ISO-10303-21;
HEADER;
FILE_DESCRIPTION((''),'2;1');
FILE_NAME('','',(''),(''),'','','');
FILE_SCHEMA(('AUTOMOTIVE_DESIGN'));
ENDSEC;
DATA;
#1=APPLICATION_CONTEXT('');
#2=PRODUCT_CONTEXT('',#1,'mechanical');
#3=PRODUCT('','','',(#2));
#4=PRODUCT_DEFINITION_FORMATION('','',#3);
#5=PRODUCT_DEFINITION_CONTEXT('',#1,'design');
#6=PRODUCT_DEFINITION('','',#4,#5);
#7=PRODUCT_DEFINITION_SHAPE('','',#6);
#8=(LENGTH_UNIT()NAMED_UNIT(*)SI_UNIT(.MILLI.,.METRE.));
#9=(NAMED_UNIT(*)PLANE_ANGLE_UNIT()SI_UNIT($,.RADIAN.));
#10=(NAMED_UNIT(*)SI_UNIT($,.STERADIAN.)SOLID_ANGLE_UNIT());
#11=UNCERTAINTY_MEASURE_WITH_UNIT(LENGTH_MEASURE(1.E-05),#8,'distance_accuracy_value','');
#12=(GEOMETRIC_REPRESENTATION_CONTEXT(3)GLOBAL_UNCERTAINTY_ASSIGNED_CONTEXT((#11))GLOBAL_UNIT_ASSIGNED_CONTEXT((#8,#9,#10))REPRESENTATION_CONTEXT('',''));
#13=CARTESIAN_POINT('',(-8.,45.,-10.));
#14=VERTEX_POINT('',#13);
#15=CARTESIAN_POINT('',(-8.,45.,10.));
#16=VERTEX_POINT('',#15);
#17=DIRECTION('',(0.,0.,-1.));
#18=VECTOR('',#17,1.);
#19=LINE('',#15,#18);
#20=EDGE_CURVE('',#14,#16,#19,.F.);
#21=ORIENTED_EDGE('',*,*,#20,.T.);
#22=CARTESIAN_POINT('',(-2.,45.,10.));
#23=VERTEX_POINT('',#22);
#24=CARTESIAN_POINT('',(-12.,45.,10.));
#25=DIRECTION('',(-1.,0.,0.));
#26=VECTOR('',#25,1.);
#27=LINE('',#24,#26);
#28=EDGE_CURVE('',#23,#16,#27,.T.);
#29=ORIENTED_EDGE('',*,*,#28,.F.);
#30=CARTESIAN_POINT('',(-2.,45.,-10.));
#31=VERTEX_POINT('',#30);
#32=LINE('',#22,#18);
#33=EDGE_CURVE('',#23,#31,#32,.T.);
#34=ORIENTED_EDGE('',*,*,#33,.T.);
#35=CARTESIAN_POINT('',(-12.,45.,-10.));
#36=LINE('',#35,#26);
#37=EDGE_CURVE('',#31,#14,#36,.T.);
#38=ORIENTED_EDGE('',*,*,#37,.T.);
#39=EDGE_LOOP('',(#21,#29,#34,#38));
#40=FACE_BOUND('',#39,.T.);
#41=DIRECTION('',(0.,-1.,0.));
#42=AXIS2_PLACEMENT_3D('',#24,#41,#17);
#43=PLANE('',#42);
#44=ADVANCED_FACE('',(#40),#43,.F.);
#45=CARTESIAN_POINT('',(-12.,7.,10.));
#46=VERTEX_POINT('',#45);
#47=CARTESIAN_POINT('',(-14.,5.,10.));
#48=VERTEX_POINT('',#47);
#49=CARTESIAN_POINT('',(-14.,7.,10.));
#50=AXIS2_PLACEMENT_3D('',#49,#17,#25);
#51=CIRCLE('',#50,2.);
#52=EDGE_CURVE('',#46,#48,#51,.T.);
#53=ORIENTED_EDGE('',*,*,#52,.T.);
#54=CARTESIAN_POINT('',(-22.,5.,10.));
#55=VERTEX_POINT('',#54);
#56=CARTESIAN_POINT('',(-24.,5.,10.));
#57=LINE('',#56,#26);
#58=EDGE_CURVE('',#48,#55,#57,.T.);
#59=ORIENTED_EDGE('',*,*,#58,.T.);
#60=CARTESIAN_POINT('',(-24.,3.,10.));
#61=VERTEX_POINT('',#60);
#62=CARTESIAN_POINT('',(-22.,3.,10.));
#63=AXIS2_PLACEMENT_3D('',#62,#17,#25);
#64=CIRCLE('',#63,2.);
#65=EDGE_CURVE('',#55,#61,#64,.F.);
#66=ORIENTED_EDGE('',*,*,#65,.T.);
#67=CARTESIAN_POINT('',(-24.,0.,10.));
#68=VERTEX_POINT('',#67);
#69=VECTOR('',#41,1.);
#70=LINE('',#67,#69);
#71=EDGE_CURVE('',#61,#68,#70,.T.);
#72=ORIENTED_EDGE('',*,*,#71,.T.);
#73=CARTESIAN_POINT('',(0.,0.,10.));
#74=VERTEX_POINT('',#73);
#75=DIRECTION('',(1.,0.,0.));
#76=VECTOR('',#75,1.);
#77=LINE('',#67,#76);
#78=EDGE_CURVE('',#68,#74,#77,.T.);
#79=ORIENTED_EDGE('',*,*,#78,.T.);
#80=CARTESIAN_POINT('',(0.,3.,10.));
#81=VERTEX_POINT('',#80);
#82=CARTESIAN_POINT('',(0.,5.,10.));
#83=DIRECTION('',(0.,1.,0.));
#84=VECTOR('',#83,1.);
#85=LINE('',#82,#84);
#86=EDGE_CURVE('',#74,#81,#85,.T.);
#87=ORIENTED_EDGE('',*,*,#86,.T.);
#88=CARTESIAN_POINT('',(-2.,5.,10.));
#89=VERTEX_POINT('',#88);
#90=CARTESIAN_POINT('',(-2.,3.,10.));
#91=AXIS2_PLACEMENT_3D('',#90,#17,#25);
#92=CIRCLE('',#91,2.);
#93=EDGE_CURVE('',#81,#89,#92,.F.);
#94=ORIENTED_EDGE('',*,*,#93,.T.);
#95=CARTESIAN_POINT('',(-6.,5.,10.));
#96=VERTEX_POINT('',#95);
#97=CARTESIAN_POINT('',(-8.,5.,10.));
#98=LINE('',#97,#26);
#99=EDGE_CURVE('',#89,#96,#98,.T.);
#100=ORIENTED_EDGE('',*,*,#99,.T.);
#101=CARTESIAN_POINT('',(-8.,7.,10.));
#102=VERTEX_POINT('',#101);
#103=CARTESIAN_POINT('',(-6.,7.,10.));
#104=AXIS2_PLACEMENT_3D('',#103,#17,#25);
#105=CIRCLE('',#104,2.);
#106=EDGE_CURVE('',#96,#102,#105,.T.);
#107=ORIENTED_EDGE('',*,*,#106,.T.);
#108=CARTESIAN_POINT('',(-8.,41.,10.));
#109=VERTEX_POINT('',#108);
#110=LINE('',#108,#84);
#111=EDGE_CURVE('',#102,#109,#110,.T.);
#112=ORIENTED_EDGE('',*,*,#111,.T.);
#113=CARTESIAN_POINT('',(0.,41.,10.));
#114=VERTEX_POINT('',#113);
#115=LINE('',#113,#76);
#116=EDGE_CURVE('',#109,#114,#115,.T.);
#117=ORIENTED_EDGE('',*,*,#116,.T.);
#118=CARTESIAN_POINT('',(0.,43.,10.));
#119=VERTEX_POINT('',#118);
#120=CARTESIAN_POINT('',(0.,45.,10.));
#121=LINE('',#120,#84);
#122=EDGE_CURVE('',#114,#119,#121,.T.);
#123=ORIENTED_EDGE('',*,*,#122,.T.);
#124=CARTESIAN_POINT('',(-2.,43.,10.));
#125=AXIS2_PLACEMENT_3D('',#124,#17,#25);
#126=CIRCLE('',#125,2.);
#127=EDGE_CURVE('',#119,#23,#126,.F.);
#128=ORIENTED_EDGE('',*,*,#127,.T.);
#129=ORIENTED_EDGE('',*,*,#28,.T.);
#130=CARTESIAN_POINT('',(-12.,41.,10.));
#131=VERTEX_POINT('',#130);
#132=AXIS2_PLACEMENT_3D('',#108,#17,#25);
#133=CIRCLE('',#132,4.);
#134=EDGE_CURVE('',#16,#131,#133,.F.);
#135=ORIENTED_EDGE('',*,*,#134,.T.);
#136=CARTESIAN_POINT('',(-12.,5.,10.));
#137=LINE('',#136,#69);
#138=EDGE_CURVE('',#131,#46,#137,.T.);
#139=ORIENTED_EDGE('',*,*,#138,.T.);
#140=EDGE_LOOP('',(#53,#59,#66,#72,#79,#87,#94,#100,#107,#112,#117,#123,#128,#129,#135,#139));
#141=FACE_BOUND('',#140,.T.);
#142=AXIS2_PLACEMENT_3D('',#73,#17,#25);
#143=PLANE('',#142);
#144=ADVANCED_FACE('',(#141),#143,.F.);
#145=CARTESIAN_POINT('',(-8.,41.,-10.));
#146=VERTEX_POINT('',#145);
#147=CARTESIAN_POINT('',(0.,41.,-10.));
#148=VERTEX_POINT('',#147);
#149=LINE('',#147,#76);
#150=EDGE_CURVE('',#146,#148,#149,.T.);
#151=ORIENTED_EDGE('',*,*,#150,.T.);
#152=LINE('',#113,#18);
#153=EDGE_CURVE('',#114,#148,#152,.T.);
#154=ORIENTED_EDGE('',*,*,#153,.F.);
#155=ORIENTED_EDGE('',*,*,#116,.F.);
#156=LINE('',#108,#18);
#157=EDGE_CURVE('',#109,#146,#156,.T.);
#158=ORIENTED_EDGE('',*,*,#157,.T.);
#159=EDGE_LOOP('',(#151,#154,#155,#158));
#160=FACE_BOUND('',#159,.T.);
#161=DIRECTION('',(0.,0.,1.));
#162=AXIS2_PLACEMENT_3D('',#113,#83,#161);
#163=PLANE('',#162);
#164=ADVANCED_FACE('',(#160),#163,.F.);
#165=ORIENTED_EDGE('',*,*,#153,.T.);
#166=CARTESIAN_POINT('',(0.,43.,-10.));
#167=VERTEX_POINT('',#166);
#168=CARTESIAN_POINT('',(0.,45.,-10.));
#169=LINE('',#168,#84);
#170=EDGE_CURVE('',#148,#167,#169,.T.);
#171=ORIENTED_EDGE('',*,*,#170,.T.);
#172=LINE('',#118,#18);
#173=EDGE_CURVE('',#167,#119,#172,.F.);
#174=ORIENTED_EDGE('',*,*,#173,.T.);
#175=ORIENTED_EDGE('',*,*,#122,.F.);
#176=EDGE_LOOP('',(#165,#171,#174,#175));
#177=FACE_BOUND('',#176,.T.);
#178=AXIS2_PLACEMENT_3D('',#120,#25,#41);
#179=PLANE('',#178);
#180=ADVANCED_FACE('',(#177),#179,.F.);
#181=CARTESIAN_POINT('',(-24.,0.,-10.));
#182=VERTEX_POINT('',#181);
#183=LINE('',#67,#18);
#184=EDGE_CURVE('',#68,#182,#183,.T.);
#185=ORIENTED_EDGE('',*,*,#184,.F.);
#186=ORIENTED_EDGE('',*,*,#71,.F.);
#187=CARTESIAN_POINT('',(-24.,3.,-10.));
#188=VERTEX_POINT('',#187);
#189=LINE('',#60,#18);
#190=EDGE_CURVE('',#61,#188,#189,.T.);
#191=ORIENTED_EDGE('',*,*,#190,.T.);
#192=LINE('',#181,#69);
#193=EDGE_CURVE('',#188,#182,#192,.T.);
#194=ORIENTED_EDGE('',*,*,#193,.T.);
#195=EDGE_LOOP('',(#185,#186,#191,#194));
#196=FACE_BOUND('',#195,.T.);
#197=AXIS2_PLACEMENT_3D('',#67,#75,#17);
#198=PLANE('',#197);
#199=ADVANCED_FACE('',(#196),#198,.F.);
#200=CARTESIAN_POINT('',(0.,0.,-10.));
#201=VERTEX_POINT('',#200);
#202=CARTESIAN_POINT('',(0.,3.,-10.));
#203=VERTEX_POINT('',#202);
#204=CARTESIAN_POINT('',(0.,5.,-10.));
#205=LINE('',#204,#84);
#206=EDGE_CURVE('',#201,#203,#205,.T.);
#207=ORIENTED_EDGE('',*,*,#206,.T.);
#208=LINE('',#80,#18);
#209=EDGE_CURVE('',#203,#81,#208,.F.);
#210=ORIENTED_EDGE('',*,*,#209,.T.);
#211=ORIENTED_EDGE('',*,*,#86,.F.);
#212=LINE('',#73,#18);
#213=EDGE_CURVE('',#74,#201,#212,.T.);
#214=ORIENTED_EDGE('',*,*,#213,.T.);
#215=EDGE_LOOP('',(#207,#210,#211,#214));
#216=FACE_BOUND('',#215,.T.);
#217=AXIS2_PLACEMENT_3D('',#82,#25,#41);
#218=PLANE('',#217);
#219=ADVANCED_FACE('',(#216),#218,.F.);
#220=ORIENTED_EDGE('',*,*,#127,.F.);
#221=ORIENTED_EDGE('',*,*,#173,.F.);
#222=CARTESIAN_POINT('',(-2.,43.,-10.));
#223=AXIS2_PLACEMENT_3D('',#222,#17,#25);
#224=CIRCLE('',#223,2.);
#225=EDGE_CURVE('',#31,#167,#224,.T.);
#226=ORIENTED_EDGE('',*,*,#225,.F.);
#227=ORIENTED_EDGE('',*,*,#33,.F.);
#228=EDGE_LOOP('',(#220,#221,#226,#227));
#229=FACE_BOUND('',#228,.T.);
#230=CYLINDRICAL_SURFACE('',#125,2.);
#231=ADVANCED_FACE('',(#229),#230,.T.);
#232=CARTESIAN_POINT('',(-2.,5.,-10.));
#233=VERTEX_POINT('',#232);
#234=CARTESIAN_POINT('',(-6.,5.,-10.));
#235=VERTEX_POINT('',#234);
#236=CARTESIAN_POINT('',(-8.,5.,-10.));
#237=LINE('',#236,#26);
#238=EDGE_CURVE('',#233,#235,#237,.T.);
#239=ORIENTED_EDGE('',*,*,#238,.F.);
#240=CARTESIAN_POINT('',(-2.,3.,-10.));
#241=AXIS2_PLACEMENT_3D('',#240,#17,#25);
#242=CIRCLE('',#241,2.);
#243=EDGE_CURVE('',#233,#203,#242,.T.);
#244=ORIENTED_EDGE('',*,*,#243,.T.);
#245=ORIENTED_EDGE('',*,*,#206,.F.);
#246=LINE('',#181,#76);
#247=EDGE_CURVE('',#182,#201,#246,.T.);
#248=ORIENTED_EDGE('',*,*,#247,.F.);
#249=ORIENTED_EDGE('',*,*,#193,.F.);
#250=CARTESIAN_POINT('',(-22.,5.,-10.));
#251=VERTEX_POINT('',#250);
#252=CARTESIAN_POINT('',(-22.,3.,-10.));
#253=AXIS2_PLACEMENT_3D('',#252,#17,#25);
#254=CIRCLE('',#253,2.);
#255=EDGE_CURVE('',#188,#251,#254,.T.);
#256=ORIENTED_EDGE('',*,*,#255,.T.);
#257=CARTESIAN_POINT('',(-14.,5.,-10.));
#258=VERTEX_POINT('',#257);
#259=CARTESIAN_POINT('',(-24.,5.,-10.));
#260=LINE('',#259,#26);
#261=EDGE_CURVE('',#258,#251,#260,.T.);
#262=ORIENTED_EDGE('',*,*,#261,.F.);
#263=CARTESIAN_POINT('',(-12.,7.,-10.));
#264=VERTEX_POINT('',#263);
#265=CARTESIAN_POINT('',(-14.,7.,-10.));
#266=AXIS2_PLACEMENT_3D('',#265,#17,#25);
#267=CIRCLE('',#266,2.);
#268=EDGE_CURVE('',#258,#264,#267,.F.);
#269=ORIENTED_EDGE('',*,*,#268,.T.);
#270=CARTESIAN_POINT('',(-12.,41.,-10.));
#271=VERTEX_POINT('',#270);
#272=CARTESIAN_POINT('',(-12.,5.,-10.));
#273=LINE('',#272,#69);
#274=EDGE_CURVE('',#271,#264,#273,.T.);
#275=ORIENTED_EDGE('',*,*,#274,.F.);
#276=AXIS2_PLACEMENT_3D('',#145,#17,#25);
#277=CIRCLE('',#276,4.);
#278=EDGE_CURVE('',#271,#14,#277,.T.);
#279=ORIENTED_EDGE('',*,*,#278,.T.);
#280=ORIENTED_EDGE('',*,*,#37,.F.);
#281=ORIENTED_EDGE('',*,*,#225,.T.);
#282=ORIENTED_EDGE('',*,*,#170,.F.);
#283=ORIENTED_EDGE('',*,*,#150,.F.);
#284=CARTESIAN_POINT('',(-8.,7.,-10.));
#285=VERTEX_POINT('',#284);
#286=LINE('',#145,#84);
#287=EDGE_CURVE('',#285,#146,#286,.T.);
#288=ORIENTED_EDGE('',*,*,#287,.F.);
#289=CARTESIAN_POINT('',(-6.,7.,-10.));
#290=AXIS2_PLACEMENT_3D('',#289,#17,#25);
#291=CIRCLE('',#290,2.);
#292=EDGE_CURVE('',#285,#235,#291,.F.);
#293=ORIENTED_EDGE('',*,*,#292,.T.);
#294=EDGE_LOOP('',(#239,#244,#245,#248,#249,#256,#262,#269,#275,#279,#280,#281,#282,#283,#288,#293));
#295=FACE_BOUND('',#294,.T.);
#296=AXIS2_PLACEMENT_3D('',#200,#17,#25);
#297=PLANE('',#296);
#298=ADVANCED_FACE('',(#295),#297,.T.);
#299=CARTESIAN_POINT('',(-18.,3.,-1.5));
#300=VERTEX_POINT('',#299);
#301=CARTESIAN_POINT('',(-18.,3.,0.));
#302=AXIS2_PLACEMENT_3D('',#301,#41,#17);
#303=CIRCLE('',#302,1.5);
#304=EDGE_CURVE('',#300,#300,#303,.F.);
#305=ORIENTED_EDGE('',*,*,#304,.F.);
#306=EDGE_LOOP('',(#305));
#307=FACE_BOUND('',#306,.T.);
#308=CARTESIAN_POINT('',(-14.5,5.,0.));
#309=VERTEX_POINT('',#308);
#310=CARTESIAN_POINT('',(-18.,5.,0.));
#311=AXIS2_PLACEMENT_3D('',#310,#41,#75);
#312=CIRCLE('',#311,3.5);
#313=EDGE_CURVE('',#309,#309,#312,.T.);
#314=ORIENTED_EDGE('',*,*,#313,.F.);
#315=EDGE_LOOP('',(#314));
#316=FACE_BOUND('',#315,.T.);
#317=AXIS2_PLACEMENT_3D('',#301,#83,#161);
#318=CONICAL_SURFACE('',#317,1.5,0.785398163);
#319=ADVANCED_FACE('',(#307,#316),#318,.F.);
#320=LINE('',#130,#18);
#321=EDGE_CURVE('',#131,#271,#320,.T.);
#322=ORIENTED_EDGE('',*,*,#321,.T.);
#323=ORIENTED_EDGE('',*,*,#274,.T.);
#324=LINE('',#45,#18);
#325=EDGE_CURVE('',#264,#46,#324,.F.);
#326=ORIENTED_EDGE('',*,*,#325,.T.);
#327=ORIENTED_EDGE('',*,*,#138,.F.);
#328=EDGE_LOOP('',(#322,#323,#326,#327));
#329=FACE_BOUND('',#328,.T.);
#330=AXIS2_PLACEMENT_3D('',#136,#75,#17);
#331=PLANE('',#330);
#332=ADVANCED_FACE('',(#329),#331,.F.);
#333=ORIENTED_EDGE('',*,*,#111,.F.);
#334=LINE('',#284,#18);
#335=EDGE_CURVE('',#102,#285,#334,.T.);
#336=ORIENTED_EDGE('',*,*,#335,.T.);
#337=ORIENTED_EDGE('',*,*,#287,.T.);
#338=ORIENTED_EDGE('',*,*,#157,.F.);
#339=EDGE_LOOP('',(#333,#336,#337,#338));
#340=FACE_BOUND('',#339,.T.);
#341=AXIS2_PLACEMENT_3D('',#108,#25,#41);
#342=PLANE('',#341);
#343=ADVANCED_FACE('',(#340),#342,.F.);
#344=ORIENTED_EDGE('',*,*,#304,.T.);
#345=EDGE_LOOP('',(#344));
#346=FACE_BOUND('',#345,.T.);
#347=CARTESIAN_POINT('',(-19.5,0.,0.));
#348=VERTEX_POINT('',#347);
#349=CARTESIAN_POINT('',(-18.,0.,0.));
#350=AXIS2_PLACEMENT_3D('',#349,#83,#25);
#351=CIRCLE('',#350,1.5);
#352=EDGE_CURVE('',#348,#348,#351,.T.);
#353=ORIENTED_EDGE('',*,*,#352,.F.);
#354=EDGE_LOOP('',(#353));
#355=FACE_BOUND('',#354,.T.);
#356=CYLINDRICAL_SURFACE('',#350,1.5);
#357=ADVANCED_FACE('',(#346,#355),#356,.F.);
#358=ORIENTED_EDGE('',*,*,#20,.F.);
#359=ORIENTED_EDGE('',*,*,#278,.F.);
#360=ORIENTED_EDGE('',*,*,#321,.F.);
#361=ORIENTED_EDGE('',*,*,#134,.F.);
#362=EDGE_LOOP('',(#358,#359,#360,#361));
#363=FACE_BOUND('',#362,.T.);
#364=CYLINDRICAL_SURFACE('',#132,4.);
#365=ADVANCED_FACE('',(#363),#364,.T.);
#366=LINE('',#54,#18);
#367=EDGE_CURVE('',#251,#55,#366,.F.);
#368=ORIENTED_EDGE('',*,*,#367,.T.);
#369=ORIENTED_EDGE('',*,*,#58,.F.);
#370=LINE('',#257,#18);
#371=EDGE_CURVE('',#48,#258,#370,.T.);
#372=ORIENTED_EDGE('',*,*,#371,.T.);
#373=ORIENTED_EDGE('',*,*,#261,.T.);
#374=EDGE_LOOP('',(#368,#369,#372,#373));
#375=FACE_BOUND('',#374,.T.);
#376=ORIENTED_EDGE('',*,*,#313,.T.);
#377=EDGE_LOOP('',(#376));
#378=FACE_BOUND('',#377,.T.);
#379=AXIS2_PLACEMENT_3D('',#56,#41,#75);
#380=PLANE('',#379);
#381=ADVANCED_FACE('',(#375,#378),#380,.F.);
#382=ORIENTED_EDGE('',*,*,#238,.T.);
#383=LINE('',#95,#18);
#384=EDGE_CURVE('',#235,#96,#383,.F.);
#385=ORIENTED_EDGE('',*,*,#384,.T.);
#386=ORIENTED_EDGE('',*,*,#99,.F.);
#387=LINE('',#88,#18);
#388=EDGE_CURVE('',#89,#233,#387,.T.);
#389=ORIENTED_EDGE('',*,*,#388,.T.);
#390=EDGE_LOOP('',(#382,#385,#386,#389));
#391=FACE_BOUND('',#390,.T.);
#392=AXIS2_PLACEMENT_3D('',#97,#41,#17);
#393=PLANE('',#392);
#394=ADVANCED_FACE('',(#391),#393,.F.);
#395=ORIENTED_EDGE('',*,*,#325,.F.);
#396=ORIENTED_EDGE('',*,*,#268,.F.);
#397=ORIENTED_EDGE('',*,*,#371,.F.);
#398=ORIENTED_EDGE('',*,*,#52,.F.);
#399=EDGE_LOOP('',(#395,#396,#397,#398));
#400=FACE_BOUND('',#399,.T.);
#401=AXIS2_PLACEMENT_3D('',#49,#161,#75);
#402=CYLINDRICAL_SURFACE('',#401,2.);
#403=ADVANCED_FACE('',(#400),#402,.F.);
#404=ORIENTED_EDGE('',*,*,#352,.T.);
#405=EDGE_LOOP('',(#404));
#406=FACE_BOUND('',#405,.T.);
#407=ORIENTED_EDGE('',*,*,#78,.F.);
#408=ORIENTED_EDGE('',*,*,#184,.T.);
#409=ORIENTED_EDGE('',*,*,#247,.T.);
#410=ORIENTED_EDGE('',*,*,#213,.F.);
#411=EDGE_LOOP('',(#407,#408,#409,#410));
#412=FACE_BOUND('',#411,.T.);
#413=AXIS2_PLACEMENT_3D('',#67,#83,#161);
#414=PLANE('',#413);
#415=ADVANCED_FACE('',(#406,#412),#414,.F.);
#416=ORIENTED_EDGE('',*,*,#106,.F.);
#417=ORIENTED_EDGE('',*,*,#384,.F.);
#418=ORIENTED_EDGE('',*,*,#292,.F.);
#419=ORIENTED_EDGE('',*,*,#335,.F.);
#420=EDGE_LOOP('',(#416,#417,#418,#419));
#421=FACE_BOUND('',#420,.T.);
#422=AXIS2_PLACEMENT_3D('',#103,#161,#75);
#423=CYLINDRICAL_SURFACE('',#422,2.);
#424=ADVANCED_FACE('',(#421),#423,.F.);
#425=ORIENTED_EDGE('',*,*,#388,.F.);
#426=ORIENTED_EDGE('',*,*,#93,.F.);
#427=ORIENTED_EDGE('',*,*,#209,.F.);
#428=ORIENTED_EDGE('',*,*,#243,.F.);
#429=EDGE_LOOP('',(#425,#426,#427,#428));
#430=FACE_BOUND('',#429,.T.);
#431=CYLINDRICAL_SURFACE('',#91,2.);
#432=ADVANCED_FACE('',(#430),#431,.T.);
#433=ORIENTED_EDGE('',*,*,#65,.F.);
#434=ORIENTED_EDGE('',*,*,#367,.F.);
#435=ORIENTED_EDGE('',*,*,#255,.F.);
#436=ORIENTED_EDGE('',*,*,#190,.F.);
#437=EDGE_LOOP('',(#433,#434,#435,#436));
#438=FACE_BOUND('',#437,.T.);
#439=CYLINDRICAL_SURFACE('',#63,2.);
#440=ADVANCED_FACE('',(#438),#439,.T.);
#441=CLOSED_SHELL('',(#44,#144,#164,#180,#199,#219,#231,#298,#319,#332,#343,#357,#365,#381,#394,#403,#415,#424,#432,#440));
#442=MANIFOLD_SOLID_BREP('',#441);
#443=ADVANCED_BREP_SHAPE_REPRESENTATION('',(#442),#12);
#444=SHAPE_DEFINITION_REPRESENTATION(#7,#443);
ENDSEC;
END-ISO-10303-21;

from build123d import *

# Parameters (mm, degrees)
AUFSATZ_LINEAR_AUSTRAGEN1_DEPTH = 10
SKIZZE2_R                       = 1.5
SCHNITT_LINEAR_AUSTRAGEN1_DEPTH = 6
FASE1_SIZE                      = 2
VERRUNDUNG1_R                   = 2
VERRUNDUNG2_R                   = 4


with BuildPart() as part:
    # Skizze1 → Aufsatz-Linear austragen1 (new body, symmetric)
    with BuildSketch(Plane.XY):
        Polygon((-24, 0), (0, 0), (0, 5), (-8, 5), (-8, 41), (0, 41), (0, 45), (-12, 45), (-12, 5), (-24, 5), align=None)
    extrude(amount=AUFSATZ_LINEAR_AUSTRAGEN1_DEPTH, both=True)

    # Skizze2 → Schnitt-Linear austragen1 (cut, through all)
    with BuildSketch(Plane(origin=(0, 5, 0), x_dir=(1, 0, 0), z_dir=(0, 1, 0))):
        with Locations((-18, 0)):
            Circle(SKIZZE2_R)
    extrude(amount=-SCHNITT_LINEAR_AUSTRAGEN1_DEPTH, mode=Mode.SUBTRACT)

    # Fase1
    fase1_edges = [part.edges().sort_by_distance(p)[0] for p in [
        (-19.5, 5, 0),
    ]]
    chamfer(fase1_edges, length=FASE1_SIZE)

    # Verrundung1
    verrundung1_edges = [part.edges().sort_by_distance(p)[0] for p in [
        (-24, 5, 0),
        (-12, 5, 0),
        (0, 45, 0),
        (-8, 5, 0),
        (0, 5, 0),
    ]]
    fillet(verrundung1_edges, radius=VERRUNDUNG1_R)

    # Verrundung2
    verrundung2_edges = [part.edges().sort_by_distance(p)[0] for p in [
        (-12, 45, 0),
    ]]
    fillet(verrundung2_edges, radius=VERRUNDUNG2_R)


solid = part.part
